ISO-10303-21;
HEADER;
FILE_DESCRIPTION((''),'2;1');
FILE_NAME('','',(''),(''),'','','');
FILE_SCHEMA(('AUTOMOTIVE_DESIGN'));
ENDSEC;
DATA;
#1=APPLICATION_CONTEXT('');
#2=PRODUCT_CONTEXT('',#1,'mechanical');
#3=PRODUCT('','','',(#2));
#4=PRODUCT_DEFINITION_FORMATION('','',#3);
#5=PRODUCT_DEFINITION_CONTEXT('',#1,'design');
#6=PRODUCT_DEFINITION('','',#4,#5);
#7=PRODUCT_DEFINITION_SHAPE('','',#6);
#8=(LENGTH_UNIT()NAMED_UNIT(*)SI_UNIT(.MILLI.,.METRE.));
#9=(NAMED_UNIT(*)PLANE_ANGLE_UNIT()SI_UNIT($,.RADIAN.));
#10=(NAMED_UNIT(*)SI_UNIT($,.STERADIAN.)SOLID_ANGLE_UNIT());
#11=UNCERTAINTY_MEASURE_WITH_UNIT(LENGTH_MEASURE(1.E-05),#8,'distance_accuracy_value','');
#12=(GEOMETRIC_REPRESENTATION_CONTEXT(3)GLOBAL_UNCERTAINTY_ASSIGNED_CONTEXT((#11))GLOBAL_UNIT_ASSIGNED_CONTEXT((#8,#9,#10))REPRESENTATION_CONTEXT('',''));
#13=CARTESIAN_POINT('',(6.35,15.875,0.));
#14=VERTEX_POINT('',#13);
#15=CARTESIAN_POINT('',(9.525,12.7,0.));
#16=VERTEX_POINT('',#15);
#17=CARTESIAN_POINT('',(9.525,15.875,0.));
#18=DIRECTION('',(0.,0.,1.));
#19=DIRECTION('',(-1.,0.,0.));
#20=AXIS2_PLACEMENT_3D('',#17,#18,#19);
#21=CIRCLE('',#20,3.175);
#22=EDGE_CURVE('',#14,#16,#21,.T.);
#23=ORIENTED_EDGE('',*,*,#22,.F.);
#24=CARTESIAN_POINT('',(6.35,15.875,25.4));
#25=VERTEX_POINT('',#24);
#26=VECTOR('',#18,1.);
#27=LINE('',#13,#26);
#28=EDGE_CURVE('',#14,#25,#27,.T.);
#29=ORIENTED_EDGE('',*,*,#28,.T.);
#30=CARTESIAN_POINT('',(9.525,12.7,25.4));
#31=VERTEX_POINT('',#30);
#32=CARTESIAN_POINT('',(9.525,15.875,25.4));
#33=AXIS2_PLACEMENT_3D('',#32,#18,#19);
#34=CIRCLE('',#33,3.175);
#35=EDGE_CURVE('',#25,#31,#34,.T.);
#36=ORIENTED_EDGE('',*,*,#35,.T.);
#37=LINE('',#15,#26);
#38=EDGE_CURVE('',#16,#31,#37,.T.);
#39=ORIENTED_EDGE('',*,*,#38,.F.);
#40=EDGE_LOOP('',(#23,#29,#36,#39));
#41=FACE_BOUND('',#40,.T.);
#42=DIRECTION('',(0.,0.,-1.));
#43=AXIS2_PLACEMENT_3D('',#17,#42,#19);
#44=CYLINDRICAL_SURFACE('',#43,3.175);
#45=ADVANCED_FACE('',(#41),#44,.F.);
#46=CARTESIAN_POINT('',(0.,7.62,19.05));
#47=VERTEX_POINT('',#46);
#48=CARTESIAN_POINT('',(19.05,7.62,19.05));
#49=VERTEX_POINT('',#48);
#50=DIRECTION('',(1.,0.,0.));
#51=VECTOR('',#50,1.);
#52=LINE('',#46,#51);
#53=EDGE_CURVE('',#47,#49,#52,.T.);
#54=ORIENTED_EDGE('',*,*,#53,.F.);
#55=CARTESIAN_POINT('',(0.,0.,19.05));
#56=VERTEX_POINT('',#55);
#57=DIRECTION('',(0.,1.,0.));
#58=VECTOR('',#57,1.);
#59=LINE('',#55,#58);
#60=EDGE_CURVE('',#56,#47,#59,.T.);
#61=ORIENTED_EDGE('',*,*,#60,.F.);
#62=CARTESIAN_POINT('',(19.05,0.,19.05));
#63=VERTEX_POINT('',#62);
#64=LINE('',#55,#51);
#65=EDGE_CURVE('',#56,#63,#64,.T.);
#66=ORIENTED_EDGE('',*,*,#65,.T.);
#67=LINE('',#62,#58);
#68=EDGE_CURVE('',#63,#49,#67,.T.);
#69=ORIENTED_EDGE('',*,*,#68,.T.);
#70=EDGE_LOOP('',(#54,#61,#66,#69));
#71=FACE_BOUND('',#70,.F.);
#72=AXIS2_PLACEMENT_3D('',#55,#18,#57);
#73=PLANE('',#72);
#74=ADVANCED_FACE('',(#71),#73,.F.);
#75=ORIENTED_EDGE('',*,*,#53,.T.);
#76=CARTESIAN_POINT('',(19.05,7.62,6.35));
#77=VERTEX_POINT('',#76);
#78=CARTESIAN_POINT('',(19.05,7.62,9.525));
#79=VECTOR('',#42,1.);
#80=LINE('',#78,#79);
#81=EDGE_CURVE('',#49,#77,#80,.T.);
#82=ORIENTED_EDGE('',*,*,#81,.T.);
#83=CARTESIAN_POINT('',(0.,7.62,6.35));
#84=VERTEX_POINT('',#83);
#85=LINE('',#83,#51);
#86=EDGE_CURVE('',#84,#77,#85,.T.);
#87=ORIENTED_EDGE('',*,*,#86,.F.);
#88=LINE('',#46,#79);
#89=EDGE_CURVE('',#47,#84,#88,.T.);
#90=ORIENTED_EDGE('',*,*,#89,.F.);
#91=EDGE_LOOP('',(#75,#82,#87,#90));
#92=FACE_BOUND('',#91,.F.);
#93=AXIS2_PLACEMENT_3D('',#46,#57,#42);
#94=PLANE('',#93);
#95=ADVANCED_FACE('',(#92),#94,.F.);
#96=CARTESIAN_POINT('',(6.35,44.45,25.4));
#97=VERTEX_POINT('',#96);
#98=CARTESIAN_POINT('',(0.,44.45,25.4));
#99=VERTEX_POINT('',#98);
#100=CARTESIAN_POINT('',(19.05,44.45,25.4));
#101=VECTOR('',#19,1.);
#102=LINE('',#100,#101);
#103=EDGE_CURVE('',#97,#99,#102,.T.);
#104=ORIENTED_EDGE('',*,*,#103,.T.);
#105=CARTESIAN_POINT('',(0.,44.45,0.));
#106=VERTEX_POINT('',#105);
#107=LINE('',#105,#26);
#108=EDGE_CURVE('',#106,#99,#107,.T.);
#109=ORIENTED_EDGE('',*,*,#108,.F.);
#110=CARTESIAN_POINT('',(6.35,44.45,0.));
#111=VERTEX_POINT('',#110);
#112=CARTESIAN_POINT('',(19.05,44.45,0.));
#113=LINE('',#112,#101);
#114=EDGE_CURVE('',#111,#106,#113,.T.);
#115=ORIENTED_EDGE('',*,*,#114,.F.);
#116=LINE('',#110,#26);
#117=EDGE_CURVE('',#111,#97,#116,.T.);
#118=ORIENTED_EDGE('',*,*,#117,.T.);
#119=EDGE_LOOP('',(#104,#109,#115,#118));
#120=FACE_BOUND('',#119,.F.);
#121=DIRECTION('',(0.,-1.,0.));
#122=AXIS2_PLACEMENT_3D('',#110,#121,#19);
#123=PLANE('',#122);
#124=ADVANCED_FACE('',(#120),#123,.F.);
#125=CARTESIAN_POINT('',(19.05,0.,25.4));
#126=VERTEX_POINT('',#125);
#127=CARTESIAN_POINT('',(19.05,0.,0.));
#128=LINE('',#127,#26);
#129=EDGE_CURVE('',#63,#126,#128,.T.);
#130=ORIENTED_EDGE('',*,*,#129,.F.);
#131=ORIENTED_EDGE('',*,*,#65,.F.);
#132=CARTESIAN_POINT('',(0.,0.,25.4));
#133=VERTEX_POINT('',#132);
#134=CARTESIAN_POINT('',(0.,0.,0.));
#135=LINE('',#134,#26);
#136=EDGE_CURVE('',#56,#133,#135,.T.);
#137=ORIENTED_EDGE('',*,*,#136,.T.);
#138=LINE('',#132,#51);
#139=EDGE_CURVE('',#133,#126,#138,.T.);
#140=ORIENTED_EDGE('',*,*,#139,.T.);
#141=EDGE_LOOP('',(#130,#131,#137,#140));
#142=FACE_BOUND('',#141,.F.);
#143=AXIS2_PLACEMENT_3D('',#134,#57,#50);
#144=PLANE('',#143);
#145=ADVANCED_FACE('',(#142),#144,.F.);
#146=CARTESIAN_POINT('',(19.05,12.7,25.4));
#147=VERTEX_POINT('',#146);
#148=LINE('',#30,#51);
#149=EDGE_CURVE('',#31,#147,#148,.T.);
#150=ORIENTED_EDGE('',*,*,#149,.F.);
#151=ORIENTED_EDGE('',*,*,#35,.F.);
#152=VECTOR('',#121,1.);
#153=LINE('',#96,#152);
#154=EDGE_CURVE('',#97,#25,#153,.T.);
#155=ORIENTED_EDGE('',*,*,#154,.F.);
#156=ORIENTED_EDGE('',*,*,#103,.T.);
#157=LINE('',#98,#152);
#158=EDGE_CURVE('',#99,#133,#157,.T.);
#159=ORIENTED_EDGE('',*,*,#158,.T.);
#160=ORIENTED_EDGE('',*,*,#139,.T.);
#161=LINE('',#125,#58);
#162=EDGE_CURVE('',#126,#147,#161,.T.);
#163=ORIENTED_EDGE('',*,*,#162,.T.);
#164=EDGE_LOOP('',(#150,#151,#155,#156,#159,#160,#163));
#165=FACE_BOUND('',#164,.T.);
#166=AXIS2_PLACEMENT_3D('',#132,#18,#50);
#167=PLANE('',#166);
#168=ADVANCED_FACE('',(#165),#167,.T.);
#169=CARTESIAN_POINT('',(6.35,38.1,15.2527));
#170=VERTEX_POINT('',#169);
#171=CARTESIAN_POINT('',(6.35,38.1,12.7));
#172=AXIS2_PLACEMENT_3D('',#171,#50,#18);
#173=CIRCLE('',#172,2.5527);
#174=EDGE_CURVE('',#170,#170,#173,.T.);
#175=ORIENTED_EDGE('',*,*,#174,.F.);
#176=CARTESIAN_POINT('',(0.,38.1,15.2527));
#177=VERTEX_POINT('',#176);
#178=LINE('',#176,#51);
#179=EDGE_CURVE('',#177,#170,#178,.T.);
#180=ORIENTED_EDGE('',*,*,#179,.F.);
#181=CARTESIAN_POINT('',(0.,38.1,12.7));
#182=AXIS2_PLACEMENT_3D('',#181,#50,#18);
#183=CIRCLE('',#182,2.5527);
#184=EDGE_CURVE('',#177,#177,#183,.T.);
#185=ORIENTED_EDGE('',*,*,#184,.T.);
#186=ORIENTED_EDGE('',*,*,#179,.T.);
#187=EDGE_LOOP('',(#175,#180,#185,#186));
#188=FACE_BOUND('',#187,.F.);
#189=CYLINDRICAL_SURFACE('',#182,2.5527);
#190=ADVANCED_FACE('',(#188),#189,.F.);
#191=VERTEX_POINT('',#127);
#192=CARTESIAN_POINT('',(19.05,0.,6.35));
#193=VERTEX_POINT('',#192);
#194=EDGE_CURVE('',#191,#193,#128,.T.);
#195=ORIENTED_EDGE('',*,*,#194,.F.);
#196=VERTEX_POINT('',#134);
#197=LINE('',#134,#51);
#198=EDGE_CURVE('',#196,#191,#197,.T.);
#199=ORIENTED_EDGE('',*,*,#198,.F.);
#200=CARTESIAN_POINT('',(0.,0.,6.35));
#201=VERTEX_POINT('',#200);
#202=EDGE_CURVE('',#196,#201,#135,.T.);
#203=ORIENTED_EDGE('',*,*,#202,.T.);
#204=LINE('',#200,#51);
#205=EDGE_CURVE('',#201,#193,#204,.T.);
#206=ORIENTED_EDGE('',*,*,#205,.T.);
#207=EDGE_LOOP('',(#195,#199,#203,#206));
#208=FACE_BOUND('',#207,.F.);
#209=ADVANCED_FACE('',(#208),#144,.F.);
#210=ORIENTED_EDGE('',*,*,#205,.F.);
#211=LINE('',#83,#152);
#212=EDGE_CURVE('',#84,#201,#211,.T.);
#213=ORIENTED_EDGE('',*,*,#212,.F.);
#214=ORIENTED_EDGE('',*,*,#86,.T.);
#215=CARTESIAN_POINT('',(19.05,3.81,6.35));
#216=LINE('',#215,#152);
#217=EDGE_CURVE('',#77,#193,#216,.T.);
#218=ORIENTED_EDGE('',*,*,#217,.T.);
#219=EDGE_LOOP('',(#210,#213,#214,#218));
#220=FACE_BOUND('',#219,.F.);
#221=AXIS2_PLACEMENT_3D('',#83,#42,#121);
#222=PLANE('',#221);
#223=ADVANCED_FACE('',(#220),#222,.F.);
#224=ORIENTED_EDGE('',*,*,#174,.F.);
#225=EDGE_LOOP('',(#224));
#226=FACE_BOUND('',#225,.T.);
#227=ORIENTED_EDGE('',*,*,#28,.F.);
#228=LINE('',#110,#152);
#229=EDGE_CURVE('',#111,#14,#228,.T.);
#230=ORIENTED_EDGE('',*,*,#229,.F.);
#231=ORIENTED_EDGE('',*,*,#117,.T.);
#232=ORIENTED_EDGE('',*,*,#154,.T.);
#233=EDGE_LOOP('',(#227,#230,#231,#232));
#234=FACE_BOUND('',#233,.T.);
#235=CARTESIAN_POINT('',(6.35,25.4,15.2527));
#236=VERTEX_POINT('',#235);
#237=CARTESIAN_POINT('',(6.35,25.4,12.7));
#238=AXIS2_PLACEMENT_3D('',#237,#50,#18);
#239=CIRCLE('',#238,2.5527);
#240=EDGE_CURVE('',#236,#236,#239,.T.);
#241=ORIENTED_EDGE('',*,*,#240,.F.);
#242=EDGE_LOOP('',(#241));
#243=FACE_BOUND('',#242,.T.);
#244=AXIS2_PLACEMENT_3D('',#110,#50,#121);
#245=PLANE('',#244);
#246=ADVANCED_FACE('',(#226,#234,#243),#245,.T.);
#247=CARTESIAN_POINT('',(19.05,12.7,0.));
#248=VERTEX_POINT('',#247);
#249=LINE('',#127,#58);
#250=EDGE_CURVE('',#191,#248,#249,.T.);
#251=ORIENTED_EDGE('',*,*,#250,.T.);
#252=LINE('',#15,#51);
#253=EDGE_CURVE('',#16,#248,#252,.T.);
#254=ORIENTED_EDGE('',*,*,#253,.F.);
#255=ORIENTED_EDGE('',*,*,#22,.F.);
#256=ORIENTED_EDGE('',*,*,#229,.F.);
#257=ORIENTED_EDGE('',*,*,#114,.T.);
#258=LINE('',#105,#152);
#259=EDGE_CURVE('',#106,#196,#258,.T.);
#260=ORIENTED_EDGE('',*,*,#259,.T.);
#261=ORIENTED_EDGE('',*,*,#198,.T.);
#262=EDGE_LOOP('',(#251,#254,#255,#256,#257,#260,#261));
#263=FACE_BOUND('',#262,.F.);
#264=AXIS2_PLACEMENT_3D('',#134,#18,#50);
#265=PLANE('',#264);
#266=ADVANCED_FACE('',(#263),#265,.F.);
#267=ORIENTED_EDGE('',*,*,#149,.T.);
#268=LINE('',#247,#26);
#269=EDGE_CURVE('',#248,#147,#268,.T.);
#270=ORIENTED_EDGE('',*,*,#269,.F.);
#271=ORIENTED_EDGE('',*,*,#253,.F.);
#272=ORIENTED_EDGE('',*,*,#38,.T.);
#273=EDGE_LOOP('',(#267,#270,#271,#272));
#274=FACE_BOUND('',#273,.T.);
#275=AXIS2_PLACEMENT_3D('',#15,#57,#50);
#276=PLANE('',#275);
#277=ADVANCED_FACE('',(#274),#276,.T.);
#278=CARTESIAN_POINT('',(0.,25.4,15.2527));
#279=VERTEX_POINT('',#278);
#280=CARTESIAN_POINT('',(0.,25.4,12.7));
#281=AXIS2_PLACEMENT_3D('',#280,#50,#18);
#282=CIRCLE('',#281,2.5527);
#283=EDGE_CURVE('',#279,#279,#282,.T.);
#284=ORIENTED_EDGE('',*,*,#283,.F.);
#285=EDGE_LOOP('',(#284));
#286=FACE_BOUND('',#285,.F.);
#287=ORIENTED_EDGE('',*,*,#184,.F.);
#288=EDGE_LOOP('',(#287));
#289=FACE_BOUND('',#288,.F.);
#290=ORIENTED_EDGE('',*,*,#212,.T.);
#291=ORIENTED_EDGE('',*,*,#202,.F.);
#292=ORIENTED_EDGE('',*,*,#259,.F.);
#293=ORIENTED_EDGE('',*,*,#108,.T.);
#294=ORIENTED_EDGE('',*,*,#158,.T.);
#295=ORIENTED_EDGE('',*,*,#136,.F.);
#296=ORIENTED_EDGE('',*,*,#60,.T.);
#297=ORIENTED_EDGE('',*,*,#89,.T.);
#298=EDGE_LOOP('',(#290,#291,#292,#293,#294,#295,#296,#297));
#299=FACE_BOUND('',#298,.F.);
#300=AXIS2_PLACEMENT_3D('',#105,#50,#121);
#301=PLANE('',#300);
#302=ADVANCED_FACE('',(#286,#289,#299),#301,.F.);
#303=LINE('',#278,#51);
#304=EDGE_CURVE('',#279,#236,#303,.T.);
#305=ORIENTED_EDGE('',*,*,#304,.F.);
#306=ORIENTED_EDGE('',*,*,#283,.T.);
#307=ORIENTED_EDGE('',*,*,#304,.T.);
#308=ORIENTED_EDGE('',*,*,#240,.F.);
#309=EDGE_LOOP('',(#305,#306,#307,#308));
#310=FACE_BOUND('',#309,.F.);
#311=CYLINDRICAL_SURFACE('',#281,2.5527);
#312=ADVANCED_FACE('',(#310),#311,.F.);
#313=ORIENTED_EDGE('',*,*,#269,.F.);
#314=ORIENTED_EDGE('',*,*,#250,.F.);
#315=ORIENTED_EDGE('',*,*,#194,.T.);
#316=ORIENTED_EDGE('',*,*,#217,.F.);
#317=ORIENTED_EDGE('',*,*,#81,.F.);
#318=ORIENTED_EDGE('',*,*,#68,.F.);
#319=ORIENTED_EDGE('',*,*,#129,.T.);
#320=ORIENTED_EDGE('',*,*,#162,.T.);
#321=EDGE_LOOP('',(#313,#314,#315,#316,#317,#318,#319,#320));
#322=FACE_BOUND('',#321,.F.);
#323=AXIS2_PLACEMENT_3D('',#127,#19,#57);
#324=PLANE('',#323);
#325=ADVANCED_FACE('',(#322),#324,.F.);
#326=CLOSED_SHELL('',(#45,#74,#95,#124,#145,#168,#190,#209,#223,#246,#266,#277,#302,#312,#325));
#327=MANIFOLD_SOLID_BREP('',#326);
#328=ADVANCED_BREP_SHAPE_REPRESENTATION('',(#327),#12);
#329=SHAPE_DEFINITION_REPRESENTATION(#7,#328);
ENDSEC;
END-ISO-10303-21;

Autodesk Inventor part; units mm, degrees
ref_plane "YZ Plane" through (0, 0, 0) normal (1, 0, 0) x (0, 1, 0)
ref_plane "XZ Plane" through (0, 0, 0) normal (0, 1, 0) x (-1, 0, 0)
ref_plane "XY Plane" through (0, 0, 0) normal (0, 0, 1) x (1, 0, 0)
sketch "Sketch1" plane through (0, 0, 0) normal (0, 0, 1) x (1, 0, 0)
  line L0 (0, 0) -> (19.05, 0)
  line L1 (19.05, 0) -> (19.05, 44.45)
  line L2 (19.05, 44.45) -> (0, 44.45)
  line L3 (0, 44.45) -> (0, 0)
  line L4 (19.05, 44.45) -> (6.35, 44.45)
  line L5 (6.35, 44.45) -> (6.35, 15.875)
  line L6 (9.525, 12.7) -> (19.05, 12.7)
  line L7 (19.05, 12.7) -> (19.05, 44.45)
  arc A0 (6.35, 15.875) -> (9.525, 12.7) centre (9.525, 15.875) ccw
  point P0 (6.35, 12.7)
  dimension "d0" = 44.45
  dimension "d1" = 19.05
  dimension "d2" = 31.75
  dimension "d3" = 6.35
  dimension "d4" = 3.175
extrude "Extrusion1" add sketch "Sketch1" along normal blind 25.4 contours L3 L2 L5 A0 L6 L1 L0
sketch "Sketch2" plane through (0, 0, 0) normal (-1, 0, 0) x (0, 0, 1)
  line L0 (0, 44.45) -> (25.4, 44.45) projected
  point P0 (12.7, 38.1)
  point P1 (12.7, 25.4)
  point P2 (12.7, 44.45)
  dimension "d7" = 12.7
  dimension "d8" = 6.35
hole "Hole1" at (0, 38.1, 12.7) at (0, 25.4, 12.7) direction (1, 0, 0) diameter 5.1054 end through all clearance for "Flat Head Machine Screw (82)" size "#10" standard "Ansi Unified Screw Threads"
sketch "Sketch3" plane through (0, 0, 0) normal (-1, 0, 0) x (0, 0, 1)
  line L0 (0, 0) -> (25.4, 0) projected
  line L1 (6.35, 0) -> (19.05, 0)
  line L2 (19.05, 0) -> (19.05, 7.62)
  line L3 (19.05, 7.62) -> (6.35, 7.62)
  line L4 (6.35, 7.62) -> (6.35, 0)
  point P0 (12.7, 0)
  dimension "d16" = 12.7
  dimension "d17" = 7.62
extrude "Extrusion2" cut sketch "Sketch3" against normal through all
properties part number "gripper jaw"
